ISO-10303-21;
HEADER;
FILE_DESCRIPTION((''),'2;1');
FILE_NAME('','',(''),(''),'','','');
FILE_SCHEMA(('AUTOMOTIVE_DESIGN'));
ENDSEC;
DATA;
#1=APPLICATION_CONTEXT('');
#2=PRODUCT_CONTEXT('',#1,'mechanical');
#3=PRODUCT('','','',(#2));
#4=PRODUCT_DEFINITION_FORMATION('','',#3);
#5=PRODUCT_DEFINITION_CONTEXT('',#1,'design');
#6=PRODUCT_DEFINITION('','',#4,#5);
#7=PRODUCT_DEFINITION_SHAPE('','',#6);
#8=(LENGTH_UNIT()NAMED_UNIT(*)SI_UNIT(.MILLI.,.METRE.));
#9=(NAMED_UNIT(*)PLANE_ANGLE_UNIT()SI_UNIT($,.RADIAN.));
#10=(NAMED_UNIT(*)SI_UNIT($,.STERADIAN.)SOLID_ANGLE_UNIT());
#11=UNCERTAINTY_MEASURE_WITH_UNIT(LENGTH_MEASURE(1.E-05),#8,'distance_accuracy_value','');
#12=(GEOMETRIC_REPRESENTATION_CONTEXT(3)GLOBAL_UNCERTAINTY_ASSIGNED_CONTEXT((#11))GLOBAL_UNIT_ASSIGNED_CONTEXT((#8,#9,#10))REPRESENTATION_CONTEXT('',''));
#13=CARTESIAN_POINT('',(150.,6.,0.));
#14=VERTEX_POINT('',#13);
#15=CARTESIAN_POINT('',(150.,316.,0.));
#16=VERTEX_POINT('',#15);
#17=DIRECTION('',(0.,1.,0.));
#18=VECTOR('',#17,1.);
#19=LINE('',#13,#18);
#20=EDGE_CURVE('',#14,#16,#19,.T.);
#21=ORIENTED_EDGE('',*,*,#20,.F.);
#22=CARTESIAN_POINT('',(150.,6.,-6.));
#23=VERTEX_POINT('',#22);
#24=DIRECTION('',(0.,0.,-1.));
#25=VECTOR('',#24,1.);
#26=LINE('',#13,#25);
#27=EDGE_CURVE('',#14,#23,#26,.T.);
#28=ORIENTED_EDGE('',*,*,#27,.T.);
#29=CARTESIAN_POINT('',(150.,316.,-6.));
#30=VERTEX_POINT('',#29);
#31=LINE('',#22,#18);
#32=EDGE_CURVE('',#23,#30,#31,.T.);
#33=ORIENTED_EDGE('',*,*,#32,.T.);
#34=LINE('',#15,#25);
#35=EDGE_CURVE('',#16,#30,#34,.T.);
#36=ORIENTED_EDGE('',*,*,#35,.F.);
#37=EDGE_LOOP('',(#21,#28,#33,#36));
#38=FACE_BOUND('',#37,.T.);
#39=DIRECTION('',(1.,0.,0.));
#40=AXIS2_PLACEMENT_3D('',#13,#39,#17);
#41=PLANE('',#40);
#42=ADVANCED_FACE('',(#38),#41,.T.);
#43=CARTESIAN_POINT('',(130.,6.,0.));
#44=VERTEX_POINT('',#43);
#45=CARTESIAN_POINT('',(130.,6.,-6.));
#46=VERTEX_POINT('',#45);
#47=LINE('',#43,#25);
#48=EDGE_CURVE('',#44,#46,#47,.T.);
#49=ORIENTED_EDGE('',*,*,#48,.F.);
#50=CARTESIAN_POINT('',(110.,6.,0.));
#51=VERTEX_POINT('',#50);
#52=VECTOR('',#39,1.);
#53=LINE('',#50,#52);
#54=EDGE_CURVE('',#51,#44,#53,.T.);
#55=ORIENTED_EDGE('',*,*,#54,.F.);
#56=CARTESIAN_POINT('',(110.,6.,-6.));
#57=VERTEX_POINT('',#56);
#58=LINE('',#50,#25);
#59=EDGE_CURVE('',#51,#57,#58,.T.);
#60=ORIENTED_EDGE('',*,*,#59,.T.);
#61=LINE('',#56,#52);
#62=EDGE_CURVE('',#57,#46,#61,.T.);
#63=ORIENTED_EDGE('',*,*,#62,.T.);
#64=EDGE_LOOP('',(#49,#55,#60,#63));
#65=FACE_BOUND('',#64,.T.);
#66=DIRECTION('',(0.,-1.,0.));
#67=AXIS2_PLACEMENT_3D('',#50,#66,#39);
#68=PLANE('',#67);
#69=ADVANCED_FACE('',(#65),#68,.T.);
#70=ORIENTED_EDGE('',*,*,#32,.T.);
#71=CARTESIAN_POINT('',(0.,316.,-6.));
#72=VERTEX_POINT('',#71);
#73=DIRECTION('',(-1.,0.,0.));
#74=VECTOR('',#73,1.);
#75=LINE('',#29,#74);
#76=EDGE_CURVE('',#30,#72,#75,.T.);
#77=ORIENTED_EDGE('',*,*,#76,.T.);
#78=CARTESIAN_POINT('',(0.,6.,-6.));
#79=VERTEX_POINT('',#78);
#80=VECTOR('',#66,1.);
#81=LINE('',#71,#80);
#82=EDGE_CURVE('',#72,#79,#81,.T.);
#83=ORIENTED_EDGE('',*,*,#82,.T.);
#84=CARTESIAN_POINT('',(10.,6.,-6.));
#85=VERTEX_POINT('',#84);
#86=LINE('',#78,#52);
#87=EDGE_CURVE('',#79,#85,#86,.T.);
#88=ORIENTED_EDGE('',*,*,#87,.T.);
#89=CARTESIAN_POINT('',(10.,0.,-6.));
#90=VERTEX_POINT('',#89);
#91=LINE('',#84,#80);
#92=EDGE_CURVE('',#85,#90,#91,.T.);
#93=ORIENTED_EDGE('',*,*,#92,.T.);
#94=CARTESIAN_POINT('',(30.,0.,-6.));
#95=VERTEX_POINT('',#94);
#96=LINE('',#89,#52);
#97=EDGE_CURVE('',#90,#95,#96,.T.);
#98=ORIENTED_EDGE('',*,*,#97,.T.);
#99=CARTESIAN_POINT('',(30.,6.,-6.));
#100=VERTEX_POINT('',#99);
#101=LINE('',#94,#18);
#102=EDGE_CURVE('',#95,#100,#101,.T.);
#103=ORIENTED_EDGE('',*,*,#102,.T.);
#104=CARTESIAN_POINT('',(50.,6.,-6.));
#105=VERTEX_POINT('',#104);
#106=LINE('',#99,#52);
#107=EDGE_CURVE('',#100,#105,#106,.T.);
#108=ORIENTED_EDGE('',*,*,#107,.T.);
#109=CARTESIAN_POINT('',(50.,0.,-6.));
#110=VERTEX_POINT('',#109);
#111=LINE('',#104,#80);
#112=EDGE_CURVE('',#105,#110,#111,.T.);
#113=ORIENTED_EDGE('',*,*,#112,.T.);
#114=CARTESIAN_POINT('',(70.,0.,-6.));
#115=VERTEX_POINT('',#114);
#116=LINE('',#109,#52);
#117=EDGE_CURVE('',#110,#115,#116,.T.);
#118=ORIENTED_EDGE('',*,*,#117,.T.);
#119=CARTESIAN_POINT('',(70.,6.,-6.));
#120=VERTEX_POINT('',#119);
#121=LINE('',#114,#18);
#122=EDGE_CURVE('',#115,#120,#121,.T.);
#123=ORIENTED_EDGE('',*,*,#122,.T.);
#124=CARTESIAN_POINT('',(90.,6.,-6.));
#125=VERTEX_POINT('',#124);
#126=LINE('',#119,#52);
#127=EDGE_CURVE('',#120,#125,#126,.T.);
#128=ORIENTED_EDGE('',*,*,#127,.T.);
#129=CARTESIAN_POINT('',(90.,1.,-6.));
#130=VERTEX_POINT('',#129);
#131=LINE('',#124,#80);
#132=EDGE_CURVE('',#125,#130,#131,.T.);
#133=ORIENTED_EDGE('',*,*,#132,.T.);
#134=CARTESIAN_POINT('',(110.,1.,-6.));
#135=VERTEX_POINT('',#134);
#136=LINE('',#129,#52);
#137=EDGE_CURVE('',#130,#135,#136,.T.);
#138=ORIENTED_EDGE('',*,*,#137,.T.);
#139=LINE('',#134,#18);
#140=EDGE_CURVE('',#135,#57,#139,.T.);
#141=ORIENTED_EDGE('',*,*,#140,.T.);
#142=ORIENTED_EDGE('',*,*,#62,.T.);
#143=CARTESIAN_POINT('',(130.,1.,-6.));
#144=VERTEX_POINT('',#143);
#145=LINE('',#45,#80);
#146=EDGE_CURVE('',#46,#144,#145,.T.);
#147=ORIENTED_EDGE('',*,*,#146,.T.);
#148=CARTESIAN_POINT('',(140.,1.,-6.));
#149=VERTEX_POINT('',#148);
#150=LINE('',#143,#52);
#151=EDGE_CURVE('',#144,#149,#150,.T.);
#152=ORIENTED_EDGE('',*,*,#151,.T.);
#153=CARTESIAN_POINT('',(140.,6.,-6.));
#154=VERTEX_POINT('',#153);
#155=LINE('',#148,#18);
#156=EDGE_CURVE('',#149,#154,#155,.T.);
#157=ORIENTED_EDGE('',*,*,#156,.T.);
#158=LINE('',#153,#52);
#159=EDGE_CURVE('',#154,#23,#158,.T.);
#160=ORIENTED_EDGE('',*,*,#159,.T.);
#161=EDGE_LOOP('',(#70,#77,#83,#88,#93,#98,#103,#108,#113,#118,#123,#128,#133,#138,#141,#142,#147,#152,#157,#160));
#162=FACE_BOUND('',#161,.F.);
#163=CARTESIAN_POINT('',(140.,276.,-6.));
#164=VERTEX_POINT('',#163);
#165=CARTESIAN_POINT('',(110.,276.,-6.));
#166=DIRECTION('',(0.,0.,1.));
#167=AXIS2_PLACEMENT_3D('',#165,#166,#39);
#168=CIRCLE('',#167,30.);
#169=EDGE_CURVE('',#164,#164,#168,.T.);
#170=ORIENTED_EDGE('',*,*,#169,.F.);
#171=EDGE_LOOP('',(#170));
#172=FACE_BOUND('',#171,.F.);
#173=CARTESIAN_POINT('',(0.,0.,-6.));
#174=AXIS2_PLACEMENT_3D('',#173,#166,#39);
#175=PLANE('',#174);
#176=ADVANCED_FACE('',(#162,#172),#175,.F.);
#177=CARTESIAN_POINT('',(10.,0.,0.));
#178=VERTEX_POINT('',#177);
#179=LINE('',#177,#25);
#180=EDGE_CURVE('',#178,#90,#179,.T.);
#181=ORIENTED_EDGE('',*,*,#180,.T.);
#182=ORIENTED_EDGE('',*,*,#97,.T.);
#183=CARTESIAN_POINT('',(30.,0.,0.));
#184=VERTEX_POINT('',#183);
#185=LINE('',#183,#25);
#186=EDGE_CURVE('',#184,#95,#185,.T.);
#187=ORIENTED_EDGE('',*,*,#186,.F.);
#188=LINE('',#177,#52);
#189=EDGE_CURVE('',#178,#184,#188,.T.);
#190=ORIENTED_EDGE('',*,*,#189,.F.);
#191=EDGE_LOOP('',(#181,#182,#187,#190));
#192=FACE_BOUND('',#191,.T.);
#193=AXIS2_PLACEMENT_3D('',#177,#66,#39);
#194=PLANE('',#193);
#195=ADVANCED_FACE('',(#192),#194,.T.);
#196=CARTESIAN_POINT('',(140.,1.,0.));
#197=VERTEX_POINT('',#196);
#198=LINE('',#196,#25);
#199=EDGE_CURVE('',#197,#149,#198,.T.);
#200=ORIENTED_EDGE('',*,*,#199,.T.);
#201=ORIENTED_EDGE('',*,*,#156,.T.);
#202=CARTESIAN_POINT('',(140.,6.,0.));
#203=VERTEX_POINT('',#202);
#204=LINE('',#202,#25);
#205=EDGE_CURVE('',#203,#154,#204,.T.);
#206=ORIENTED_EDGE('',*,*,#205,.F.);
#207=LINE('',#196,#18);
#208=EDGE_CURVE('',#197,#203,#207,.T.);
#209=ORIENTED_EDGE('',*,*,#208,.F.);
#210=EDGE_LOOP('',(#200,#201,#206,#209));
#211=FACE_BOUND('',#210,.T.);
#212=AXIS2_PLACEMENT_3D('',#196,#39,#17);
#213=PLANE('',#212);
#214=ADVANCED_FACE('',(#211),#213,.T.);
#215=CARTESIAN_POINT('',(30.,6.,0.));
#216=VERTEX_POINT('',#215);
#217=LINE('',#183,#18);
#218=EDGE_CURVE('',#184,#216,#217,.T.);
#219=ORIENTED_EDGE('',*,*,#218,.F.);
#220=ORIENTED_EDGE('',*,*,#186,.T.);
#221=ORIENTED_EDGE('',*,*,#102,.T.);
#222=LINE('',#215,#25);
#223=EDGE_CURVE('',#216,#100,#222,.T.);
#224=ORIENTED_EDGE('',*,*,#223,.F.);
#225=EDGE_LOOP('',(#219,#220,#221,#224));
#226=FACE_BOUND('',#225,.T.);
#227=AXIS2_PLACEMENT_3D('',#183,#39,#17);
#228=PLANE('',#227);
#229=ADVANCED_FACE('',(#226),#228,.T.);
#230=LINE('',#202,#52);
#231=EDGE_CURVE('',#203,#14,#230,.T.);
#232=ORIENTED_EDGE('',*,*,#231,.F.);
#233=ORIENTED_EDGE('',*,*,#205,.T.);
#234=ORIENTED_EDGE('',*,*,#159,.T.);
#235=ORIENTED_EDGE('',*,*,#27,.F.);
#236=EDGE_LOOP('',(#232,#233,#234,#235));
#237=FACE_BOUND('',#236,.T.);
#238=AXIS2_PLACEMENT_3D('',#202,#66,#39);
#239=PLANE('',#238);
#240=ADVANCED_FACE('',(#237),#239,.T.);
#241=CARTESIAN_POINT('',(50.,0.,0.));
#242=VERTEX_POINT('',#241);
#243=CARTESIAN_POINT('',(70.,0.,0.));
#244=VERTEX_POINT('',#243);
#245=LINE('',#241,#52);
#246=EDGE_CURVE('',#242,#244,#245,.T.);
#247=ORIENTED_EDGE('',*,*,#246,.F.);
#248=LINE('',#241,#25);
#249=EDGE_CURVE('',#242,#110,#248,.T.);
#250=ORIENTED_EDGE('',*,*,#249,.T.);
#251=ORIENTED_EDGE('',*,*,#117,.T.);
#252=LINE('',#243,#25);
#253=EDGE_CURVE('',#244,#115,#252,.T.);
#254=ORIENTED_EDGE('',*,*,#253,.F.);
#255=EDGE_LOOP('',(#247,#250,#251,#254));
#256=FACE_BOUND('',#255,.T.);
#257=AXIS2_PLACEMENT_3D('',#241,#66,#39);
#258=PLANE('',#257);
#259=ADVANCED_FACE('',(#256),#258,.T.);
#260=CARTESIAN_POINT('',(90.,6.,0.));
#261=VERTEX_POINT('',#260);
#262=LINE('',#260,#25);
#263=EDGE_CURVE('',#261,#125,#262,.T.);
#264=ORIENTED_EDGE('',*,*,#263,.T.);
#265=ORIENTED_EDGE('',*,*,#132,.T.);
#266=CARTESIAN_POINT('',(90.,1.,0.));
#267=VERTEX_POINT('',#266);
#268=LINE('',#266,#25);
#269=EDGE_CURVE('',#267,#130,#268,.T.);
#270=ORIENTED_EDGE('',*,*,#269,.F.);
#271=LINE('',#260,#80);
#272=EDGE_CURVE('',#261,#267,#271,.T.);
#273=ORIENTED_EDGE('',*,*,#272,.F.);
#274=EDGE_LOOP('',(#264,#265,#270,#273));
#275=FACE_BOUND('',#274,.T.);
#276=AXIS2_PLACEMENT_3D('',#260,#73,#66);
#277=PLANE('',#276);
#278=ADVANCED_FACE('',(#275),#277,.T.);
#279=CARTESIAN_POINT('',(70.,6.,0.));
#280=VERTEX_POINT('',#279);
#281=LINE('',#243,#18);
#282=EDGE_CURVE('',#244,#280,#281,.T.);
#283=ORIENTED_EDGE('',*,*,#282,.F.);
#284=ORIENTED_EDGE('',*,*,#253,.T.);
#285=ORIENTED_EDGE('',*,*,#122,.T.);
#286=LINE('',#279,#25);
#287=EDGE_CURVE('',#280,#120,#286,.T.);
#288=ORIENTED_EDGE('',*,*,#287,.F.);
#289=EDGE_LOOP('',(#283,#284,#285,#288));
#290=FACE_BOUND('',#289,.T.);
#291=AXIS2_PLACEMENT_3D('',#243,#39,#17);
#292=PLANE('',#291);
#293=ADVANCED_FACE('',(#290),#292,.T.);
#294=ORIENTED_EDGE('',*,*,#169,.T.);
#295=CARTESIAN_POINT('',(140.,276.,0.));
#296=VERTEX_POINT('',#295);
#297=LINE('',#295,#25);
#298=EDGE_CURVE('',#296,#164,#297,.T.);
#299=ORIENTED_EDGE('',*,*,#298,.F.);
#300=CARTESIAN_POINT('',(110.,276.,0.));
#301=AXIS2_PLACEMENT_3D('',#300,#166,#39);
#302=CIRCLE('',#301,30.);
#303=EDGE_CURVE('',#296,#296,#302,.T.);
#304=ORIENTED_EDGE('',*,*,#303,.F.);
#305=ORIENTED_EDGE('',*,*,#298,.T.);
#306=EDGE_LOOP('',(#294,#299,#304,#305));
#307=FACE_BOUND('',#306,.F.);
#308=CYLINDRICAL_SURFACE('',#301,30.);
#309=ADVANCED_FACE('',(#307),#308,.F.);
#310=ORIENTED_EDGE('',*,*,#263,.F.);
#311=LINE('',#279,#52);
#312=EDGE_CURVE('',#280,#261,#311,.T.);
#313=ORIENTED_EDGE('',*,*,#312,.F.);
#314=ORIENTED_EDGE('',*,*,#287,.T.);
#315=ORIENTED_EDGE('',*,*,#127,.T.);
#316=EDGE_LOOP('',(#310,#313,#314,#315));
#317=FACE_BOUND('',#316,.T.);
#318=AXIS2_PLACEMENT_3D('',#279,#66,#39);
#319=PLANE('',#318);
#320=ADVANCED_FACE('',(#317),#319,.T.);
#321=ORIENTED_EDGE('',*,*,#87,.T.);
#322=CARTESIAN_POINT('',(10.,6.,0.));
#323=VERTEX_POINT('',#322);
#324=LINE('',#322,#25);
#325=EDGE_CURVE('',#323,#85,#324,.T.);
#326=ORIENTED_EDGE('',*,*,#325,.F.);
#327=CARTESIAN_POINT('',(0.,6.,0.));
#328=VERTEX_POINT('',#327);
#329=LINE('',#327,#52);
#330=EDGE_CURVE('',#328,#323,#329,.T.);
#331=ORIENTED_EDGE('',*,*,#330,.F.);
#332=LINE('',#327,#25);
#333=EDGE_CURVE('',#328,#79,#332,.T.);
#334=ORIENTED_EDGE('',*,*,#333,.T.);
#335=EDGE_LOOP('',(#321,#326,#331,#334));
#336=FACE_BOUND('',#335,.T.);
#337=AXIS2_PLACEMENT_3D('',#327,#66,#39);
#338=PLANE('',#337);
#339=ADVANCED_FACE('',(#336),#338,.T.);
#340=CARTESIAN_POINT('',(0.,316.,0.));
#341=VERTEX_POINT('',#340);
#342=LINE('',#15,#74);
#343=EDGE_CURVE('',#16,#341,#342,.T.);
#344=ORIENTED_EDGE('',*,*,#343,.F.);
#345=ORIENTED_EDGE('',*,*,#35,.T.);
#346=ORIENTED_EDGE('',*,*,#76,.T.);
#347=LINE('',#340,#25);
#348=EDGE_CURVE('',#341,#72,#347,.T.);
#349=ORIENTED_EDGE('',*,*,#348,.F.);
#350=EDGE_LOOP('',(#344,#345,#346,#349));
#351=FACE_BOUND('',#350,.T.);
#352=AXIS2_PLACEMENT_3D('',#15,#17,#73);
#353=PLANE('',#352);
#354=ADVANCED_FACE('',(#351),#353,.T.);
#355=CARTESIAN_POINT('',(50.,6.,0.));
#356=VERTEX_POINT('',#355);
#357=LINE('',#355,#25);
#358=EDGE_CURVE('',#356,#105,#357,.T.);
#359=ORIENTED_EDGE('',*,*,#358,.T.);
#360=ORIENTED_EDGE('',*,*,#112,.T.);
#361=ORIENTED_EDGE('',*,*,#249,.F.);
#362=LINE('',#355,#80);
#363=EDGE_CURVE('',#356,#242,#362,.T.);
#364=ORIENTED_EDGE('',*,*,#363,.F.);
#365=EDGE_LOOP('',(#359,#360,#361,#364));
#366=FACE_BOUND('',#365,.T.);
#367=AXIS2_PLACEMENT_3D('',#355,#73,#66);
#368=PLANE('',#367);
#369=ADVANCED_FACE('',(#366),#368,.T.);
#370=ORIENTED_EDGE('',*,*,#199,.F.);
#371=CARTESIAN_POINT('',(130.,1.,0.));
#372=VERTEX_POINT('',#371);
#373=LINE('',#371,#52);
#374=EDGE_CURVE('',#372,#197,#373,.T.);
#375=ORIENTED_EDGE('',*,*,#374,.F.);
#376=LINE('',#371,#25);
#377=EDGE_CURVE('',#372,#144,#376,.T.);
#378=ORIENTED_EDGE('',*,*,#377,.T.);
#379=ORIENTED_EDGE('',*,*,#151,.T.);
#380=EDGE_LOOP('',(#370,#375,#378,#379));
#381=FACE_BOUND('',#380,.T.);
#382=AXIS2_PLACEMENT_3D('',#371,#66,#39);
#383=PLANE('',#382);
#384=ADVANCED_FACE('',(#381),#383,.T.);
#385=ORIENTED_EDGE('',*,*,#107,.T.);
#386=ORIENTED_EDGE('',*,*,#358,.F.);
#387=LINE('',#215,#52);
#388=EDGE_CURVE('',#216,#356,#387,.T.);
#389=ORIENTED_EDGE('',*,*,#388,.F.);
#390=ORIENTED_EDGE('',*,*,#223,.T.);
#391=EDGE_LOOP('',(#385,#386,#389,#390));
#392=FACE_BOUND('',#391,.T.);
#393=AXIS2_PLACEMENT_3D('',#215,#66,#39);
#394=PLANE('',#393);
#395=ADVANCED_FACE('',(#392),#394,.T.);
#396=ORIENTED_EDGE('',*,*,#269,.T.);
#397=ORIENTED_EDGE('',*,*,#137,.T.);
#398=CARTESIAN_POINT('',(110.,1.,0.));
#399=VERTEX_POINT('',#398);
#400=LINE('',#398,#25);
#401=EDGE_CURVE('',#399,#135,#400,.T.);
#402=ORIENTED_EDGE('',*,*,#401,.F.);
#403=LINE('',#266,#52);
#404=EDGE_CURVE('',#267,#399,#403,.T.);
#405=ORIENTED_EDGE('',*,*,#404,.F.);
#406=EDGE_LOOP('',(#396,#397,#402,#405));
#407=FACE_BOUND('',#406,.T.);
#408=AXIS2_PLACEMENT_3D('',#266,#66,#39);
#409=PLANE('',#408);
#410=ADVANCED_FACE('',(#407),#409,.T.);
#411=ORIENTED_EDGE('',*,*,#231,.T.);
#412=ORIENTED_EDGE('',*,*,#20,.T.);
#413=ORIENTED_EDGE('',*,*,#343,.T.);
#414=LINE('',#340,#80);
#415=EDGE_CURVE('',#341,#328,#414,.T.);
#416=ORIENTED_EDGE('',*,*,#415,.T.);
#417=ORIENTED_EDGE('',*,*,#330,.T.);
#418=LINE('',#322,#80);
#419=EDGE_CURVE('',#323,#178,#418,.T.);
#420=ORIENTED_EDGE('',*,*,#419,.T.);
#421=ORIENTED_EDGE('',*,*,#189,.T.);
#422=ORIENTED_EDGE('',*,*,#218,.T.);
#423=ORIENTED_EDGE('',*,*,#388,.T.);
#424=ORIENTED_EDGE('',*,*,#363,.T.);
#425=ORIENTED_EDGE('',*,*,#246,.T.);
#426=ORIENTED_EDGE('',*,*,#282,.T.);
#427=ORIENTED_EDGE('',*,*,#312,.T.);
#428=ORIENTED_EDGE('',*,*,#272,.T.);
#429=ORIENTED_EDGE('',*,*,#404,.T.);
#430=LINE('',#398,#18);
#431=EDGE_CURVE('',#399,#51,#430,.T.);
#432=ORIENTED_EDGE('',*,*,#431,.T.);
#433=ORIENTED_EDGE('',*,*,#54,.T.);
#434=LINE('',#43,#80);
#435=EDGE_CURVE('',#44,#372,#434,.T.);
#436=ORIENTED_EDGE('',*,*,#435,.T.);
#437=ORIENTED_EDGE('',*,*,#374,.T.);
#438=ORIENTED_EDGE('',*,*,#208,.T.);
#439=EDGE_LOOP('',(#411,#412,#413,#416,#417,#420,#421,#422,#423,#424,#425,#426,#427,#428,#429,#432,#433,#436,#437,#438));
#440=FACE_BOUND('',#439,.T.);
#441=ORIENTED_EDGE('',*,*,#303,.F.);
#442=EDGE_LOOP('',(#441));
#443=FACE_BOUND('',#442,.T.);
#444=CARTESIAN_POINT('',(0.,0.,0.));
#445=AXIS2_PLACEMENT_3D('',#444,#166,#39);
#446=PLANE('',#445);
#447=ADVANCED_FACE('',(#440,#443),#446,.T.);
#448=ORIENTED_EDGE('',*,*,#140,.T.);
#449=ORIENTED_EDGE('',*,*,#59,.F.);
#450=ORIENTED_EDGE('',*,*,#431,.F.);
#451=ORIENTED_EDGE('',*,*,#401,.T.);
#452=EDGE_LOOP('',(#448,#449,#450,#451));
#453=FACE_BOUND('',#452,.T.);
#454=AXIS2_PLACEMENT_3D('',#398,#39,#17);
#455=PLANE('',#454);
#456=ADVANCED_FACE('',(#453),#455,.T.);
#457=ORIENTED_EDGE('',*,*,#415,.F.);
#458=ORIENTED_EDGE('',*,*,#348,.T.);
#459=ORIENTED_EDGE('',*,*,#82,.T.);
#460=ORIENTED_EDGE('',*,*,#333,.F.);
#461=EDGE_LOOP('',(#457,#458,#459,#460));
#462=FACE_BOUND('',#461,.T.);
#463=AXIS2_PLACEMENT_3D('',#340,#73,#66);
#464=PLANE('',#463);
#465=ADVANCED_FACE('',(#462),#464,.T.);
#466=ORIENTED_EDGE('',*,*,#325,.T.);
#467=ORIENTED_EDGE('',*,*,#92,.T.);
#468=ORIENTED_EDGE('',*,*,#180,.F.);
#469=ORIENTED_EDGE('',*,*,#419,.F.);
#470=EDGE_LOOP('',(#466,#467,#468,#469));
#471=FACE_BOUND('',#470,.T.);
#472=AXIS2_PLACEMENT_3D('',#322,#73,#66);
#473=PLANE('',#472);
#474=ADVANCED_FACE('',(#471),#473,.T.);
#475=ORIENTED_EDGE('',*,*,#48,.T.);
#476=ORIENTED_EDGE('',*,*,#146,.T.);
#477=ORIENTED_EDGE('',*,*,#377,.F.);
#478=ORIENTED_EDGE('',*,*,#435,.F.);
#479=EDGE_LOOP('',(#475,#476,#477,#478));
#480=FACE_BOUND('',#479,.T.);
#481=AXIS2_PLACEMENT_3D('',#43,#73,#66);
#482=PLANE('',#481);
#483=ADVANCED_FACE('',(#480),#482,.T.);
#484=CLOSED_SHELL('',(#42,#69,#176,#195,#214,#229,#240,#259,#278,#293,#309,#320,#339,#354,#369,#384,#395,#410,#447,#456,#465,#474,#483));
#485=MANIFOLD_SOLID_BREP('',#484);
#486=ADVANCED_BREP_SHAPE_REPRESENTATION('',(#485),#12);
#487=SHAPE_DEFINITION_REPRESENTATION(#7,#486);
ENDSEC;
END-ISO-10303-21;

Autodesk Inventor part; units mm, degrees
ref_plane "YZ Plane" through (0, 0, 0) normal (1, 0, 0) x (0, 1, 0)
ref_plane "XZ Plane" through (0, 0, 0) normal (0, 1, 0) x (-1, 0, 0)
ref_plane "XY Plane" through (0, 0, 0) normal (0, 0, 1) x (1, 0, 0)
sketch "Sketch1" plane through (0, 0, 0) normal (0, 0, 1) x (1, 0, 0)
  line L0 (0, 0) -> (0, 6)
  line L1 (0, 6) -> (10, 6)
  line L2 (10, 6) -> (10, 0)
  line L3 (10, 0) -> (30, 0)
  line L4 (30, 0) -> (30, 6)
  line L5 (30, 6) -> (50, 6)
  line L6 (50, 6) -> (50, 0)
  line L7 (50, 0) -> (70, 0)
  line L8 (70, 0) -> (70, 6)
  line L9 (70, 6) -> (90, 6)
  line L10 (90, 6) -> (90, 1)
  line L11 (90, 1) -> (110, 1)
  line L12 (110, 1) -> (110, 6)
  line L13 (110, 6) -> (130, 6)
  line L14 (130, 6) -> (130, 1)
  line L15 (130, 1) -> (140, 1)
  line L16 (140, 1) -> (140, 6)
  line L17 (140, 6) -> (150, 6)
  line L18 (150, 6) -> (150, 316)
  line L19 (150, 316) -> (0, 316)
  line L20 (0, 316) -> (0, 6)
  circle A0 centre (110, 276) radius 30
  dimension "d0" = 6
  dimension "d1" = 10
  dimension "d2" = 20
  dimension "d3" = 20
  dimension "d4" = 20
  dimension "d5" = 20
  dimension "d6" = 20
  dimension "d7" = 20
  dimension "d8" = 10
  dimension "d9" = 10
  dimension "d10" = 310
  dimension "d13" = 60
  dimension "d14" = 40
  dimension "d16" = 40
extrude "Extrusion1" add sketch "Sketch1" against normal blind 6
properties part number "Exit"
